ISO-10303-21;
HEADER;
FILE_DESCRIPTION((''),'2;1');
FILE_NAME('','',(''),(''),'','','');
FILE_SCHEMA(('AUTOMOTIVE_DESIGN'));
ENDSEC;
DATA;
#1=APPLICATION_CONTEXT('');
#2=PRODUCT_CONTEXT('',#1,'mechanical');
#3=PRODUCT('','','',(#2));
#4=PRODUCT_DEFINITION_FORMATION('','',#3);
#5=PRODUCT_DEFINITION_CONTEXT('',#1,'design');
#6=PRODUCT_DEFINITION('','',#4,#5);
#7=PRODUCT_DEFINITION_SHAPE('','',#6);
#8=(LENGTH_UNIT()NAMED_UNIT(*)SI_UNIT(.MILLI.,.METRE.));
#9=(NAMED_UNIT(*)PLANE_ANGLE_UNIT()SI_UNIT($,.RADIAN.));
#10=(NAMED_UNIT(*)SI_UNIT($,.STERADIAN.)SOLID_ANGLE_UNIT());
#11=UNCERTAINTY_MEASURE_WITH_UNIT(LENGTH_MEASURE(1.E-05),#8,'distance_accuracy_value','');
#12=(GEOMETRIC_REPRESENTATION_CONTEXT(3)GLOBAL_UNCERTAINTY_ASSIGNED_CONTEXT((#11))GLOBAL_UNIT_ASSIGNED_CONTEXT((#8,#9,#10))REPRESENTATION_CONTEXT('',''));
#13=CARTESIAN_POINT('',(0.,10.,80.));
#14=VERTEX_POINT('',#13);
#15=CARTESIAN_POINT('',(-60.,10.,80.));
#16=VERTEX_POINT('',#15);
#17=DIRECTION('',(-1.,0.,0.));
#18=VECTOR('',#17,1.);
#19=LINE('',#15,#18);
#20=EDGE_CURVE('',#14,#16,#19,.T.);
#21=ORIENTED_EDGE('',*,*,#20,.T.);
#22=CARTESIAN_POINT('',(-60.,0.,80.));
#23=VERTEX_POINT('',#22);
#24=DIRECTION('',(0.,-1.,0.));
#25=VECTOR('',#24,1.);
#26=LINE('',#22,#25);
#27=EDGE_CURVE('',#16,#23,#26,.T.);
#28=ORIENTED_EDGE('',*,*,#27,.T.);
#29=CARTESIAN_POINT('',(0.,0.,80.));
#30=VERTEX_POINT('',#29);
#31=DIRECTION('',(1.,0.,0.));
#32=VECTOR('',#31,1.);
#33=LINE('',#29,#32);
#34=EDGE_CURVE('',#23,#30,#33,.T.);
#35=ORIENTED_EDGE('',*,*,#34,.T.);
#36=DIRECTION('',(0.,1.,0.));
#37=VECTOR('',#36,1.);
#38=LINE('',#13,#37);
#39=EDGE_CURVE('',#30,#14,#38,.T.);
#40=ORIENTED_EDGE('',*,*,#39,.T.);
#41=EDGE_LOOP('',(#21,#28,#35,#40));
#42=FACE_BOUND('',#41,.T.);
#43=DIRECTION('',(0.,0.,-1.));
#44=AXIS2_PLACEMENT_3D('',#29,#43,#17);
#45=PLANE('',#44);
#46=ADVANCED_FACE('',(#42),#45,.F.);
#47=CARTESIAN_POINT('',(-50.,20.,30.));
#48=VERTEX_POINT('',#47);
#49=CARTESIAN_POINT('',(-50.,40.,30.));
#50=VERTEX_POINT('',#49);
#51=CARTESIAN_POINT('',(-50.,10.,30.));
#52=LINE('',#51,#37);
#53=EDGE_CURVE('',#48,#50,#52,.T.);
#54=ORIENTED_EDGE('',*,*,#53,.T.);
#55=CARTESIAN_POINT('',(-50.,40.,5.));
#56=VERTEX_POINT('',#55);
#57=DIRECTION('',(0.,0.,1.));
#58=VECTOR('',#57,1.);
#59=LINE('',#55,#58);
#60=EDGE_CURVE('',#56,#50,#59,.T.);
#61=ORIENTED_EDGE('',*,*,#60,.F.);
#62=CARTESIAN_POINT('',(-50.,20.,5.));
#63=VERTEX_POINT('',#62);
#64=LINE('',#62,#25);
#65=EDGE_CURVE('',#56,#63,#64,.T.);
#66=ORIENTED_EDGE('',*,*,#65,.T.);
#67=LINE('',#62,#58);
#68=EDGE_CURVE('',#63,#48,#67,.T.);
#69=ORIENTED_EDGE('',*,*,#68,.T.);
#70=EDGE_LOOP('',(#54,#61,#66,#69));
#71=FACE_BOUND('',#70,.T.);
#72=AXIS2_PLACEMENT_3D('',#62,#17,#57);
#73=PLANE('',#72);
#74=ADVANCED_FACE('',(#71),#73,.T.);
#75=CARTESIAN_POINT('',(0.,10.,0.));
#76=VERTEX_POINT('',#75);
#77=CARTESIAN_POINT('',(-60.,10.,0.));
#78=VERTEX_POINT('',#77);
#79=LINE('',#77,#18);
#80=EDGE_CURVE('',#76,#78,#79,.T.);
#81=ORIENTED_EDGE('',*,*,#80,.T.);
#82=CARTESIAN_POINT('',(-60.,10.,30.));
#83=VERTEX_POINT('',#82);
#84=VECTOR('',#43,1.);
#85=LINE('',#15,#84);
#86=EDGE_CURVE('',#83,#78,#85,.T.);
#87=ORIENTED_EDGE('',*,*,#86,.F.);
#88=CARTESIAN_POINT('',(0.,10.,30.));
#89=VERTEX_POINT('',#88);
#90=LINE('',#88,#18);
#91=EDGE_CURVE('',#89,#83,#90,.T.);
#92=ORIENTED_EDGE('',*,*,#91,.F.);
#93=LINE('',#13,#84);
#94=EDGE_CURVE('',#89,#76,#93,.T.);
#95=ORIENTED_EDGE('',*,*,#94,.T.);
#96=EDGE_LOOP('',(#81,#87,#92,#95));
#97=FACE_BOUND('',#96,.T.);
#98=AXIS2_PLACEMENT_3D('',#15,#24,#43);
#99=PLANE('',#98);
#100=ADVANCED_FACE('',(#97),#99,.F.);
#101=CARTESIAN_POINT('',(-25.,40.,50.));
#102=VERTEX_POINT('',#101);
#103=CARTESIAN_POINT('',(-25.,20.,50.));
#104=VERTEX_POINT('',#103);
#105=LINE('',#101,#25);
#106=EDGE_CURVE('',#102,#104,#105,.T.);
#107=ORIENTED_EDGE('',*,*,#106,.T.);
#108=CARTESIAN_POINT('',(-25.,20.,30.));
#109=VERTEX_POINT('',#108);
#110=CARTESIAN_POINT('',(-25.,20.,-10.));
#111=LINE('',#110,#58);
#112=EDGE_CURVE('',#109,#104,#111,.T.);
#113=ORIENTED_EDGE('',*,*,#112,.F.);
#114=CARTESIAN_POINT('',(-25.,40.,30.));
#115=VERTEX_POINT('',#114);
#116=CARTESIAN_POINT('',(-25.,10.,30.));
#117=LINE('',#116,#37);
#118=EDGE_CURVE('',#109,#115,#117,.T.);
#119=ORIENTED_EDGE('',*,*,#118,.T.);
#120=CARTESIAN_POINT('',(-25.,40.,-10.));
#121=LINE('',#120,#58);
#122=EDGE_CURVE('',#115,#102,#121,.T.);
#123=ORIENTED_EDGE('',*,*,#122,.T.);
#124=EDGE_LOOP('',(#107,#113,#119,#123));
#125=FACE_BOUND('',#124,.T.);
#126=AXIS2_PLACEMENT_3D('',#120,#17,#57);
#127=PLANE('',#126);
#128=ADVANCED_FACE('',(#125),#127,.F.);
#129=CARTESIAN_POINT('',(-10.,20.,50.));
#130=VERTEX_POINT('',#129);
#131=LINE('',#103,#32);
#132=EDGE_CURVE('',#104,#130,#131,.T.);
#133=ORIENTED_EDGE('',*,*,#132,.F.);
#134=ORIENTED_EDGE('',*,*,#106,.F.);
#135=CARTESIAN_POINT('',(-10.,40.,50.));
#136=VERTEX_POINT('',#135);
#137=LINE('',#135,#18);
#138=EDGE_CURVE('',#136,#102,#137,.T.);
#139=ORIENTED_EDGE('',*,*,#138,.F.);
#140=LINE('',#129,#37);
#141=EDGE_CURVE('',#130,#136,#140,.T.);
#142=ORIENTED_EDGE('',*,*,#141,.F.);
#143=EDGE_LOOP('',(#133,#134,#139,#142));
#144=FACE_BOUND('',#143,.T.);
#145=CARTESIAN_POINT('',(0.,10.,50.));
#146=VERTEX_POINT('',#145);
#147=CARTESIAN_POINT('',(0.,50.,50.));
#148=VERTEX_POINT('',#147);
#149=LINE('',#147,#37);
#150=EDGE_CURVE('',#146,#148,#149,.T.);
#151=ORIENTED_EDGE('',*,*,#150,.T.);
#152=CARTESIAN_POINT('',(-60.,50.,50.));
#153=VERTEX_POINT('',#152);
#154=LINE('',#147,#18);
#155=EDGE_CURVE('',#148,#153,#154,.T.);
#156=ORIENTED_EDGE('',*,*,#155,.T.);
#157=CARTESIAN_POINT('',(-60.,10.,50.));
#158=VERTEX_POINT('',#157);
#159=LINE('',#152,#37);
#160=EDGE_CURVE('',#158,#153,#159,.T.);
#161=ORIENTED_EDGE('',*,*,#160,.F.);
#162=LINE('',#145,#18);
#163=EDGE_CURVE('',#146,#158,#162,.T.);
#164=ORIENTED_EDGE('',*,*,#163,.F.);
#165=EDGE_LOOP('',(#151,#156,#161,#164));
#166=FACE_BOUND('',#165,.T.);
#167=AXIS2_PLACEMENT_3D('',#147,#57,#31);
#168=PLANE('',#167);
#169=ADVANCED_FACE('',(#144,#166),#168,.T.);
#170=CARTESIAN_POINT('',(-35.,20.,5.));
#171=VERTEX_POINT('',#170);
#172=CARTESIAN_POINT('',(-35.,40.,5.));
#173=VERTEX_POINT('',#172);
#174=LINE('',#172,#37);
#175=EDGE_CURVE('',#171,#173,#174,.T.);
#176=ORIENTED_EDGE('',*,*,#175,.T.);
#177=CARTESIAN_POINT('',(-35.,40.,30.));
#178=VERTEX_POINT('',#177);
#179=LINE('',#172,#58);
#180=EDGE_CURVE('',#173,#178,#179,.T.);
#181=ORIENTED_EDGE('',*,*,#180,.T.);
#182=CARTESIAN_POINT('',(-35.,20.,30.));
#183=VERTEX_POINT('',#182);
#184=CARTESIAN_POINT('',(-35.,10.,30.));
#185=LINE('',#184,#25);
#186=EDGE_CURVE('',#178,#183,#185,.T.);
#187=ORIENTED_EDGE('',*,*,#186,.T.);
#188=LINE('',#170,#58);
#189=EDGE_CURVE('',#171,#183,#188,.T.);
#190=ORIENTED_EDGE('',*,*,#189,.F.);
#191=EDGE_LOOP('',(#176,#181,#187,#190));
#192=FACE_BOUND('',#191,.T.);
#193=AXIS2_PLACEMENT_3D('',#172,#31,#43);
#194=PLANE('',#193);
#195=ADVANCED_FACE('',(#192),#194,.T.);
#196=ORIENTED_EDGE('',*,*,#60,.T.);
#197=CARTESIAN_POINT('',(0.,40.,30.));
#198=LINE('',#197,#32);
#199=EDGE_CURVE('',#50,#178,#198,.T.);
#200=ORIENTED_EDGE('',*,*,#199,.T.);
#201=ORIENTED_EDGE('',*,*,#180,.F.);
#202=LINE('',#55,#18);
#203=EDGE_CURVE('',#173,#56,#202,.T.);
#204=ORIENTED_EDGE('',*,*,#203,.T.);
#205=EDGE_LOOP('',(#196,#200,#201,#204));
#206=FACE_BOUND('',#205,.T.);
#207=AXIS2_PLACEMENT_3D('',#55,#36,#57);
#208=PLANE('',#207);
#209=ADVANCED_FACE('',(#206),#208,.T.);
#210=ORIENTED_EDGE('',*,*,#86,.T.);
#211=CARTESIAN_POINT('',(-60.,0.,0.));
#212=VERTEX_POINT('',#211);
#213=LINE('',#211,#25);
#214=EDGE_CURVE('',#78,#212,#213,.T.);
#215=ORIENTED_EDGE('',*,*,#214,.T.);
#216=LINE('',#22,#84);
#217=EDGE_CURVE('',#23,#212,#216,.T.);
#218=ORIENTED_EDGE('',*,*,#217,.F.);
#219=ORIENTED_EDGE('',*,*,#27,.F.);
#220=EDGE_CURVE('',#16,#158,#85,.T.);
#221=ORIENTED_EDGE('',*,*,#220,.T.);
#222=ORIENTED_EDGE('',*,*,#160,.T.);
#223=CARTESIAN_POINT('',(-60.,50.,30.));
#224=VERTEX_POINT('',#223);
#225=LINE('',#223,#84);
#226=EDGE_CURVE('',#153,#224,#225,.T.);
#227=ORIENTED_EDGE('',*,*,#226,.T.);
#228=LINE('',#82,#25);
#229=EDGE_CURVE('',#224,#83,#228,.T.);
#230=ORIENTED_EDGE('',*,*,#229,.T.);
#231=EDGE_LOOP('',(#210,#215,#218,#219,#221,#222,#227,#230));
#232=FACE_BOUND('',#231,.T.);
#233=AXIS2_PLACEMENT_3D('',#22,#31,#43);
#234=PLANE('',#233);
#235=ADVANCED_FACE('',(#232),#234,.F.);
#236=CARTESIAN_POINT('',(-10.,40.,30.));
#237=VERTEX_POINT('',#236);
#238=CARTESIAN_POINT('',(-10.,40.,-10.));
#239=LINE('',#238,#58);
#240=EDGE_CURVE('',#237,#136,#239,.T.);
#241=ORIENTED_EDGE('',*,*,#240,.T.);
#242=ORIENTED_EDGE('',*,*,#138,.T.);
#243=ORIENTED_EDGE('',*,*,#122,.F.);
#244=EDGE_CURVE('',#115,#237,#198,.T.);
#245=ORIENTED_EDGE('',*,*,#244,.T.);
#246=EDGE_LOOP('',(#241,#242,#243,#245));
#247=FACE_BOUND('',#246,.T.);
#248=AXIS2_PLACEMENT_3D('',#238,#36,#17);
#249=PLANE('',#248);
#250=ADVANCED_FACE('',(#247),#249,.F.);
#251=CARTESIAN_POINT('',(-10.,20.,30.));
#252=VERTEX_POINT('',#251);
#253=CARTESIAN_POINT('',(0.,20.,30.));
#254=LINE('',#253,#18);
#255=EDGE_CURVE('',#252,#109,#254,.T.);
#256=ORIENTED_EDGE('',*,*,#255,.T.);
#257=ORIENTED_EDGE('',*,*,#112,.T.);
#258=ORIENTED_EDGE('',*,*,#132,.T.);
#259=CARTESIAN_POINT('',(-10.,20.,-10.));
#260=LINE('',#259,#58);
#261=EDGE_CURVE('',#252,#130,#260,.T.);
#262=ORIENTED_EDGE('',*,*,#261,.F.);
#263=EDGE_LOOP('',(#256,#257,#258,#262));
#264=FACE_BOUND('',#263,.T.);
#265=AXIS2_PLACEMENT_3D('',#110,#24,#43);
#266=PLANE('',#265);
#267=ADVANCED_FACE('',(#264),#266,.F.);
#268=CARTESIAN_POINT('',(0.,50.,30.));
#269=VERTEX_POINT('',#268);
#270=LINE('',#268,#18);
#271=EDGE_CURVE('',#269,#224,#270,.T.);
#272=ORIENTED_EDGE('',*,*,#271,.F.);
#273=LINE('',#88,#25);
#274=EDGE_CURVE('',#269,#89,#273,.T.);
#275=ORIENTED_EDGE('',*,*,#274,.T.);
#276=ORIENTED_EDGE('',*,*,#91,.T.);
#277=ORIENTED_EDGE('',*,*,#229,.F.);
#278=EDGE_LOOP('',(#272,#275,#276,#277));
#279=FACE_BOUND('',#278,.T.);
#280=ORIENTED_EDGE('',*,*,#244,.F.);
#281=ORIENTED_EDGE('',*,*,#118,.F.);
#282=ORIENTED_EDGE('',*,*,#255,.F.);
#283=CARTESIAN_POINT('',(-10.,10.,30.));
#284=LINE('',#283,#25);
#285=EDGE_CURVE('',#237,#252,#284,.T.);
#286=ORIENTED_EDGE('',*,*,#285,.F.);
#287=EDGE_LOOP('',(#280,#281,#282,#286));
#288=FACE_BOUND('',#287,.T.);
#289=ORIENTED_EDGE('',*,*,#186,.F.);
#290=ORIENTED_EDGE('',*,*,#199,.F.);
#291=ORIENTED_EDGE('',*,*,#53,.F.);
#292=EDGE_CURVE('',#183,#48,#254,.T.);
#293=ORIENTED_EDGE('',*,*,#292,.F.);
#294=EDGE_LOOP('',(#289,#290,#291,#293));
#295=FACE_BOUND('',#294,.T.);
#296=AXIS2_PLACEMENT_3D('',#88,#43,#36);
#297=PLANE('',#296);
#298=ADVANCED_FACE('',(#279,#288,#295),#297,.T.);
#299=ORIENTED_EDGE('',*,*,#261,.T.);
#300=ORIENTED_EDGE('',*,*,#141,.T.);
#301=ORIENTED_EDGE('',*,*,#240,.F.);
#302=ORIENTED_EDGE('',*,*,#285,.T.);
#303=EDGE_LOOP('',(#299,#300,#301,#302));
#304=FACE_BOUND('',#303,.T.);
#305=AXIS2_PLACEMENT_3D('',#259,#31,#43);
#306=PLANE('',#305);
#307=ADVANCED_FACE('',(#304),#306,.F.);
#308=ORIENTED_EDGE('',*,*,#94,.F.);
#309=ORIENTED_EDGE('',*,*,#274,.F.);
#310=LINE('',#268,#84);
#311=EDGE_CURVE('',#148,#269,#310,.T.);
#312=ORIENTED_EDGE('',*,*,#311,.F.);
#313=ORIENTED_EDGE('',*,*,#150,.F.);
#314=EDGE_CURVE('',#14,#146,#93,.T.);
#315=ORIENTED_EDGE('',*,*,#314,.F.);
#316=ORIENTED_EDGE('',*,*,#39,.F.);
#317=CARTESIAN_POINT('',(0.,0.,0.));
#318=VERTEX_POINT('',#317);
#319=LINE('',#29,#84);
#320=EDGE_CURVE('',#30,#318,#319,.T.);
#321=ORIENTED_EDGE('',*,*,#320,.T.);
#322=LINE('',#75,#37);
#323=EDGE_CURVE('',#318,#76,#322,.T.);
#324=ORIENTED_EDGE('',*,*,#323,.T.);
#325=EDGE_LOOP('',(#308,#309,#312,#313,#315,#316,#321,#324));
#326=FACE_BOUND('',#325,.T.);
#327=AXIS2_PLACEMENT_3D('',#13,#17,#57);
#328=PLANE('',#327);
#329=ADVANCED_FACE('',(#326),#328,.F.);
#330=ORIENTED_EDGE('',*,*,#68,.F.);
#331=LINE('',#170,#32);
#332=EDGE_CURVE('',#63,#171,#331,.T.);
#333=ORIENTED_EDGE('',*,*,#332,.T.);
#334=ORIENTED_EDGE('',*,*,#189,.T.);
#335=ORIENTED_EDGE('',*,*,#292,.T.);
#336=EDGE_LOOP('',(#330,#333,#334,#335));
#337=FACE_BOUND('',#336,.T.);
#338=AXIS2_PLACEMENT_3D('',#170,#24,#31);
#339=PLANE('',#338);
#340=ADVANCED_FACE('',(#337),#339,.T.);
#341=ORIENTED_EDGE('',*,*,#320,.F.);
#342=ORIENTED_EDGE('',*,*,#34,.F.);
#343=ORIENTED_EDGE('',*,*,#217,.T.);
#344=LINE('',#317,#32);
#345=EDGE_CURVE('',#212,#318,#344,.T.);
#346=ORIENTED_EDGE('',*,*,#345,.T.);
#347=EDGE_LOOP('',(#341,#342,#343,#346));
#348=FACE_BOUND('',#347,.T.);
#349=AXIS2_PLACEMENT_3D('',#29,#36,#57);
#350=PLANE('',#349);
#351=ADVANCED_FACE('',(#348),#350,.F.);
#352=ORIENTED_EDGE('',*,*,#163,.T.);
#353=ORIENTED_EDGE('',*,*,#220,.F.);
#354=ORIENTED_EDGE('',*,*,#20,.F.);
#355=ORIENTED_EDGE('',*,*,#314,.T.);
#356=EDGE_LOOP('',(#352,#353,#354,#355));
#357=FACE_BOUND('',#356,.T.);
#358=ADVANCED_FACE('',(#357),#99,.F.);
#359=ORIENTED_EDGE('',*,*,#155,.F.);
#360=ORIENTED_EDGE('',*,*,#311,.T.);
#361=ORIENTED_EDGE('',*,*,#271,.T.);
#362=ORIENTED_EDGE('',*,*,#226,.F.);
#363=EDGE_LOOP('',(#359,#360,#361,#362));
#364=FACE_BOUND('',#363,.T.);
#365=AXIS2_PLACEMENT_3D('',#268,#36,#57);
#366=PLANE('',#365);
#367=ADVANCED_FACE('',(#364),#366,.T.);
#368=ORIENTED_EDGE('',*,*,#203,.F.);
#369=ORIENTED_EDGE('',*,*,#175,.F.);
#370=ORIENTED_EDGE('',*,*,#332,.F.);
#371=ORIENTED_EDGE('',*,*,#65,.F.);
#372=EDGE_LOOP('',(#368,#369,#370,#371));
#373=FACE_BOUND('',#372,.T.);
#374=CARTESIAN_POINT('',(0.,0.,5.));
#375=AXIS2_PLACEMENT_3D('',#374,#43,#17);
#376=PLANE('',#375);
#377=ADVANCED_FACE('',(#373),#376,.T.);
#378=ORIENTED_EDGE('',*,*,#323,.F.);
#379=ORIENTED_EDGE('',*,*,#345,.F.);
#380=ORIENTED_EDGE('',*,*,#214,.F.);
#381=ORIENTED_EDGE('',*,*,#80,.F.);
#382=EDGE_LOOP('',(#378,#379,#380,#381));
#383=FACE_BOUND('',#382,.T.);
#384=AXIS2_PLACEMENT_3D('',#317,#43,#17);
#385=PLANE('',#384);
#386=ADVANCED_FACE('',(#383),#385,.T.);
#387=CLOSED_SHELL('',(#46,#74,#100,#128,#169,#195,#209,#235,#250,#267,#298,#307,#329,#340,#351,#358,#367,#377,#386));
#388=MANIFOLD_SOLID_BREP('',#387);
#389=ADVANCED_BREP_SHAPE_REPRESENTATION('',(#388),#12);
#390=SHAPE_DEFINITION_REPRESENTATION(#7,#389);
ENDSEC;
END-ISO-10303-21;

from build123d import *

# Parameters (mm, degrees)
ESBO_O1_W                = 60
ESBO_O1_H                = 10
RESSALTO_EXTRUS_O1_DEPTH = 80
ESBO_O2_W                = 20
ESBO_O2_H                = 40
RESSALTO_EXTRUS_O2_DEPTH = 60
ESBO_O3_W                = 15
ESBO_O3_H                = 20
CORTE_EXTRUS_O1_DEPTH    = 60
ESBO_O4_W                = 15
ESBO_O4_H                = 20
RESSALTO_EXTRUS_O3_DEPTH = 45


with BuildPart() as part:
    # Esboço1 → Ressalto-extrusão1 (new body)
    with BuildSketch(Plane.XY):
        with Locations((-30, 5)):
            Rectangle(ESBO_O1_W, ESBO_O1_H)
    extrude(amount=RESSALTO_EXTRUS_O1_DEPTH)

    # Esboço2 → Ressalto-extrusão2 (add)
    with BuildSketch(Plane.ZY.offset(60)):
        with Locations((40, 30)):
            Rectangle(ESBO_O2_W, ESBO_O2_H)
    extrude(amount=-RESSALTO_EXTRUS_O2_DEPTH)

    # Esboço3 → Corte-extrusão1 (cut)
    with BuildSketch(Plane.XY.offset(50)):
        with Locations((-17.5, 30)):
            Rectangle(ESBO_O3_W, ESBO_O3_H)
        with Locations((-42.5, 30)):
            Rectangle(ESBO_O3_W, ESBO_O3_H)
    extrude(amount=-CORTE_EXTRUS_O1_DEPTH, mode=Mode.SUBTRACT)

    # Esboço4 → Ressalto-extrusão3 (add)
    with BuildSketch(Plane.XY.offset(50)):
        with Locations((-42.5, 30)):
            Rectangle(ESBO_O4_W, ESBO_O4_H)
    extrude(amount=-RESSALTO_EXTRUS_O3_DEPTH)


solid = part.part
